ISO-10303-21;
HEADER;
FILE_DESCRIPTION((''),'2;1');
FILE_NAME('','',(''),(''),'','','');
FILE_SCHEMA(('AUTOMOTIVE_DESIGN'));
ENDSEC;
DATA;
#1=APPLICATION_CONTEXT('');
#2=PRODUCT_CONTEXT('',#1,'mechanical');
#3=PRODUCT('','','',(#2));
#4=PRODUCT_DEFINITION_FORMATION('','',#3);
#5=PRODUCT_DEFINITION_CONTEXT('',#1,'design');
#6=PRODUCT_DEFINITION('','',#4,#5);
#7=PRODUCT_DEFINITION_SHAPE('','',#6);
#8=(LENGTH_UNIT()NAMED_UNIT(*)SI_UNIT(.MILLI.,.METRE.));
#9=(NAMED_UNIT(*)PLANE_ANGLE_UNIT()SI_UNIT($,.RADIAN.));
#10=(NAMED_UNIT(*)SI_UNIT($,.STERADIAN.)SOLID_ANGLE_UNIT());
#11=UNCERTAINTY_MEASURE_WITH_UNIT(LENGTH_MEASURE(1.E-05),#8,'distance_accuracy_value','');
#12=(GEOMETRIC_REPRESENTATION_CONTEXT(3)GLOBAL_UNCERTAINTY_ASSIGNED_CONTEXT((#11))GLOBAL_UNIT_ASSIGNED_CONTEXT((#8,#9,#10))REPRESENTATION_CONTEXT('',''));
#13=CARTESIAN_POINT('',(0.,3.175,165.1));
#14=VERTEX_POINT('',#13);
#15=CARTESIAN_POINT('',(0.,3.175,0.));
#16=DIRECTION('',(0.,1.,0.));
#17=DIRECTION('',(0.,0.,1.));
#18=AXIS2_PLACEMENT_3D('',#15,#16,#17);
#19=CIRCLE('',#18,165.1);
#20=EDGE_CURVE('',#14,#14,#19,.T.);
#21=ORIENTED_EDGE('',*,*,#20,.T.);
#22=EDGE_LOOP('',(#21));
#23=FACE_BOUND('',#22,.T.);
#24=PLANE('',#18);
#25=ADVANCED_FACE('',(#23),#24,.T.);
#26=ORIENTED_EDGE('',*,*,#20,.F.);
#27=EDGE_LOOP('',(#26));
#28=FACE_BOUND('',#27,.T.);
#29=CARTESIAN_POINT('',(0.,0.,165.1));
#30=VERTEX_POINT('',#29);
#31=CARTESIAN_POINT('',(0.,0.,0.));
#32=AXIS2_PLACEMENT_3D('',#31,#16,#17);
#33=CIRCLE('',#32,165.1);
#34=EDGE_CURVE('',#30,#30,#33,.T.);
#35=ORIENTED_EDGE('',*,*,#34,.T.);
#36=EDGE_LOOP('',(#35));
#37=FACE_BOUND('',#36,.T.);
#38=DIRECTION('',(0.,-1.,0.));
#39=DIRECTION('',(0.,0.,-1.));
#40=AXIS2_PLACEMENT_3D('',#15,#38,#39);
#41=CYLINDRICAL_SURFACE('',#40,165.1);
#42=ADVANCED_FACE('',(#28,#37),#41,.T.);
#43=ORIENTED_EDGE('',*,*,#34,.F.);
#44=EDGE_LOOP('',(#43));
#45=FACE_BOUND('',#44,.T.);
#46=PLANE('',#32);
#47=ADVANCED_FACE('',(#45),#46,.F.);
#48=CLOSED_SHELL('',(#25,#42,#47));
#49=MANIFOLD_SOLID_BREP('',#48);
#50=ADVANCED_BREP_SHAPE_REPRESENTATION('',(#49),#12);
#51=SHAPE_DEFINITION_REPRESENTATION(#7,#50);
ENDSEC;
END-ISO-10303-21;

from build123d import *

# Parameters (mm, degrees)
SKETCH1_R           = 165.1
BOSS_EXTRUDE1_DEPTH = 3.175


with BuildPart() as part:
    # Sketch1 → Boss-Extrude1 (new body)
    with BuildSketch(Plane(origin=(0, 0, 0), x_dir=(1, 0, 0), z_dir=(0, 1, 0))):
        Circle(SKETCH1_R)
    extrude(amount=BOSS_EXTRUDE1_DEPTH)


solid = part.part
